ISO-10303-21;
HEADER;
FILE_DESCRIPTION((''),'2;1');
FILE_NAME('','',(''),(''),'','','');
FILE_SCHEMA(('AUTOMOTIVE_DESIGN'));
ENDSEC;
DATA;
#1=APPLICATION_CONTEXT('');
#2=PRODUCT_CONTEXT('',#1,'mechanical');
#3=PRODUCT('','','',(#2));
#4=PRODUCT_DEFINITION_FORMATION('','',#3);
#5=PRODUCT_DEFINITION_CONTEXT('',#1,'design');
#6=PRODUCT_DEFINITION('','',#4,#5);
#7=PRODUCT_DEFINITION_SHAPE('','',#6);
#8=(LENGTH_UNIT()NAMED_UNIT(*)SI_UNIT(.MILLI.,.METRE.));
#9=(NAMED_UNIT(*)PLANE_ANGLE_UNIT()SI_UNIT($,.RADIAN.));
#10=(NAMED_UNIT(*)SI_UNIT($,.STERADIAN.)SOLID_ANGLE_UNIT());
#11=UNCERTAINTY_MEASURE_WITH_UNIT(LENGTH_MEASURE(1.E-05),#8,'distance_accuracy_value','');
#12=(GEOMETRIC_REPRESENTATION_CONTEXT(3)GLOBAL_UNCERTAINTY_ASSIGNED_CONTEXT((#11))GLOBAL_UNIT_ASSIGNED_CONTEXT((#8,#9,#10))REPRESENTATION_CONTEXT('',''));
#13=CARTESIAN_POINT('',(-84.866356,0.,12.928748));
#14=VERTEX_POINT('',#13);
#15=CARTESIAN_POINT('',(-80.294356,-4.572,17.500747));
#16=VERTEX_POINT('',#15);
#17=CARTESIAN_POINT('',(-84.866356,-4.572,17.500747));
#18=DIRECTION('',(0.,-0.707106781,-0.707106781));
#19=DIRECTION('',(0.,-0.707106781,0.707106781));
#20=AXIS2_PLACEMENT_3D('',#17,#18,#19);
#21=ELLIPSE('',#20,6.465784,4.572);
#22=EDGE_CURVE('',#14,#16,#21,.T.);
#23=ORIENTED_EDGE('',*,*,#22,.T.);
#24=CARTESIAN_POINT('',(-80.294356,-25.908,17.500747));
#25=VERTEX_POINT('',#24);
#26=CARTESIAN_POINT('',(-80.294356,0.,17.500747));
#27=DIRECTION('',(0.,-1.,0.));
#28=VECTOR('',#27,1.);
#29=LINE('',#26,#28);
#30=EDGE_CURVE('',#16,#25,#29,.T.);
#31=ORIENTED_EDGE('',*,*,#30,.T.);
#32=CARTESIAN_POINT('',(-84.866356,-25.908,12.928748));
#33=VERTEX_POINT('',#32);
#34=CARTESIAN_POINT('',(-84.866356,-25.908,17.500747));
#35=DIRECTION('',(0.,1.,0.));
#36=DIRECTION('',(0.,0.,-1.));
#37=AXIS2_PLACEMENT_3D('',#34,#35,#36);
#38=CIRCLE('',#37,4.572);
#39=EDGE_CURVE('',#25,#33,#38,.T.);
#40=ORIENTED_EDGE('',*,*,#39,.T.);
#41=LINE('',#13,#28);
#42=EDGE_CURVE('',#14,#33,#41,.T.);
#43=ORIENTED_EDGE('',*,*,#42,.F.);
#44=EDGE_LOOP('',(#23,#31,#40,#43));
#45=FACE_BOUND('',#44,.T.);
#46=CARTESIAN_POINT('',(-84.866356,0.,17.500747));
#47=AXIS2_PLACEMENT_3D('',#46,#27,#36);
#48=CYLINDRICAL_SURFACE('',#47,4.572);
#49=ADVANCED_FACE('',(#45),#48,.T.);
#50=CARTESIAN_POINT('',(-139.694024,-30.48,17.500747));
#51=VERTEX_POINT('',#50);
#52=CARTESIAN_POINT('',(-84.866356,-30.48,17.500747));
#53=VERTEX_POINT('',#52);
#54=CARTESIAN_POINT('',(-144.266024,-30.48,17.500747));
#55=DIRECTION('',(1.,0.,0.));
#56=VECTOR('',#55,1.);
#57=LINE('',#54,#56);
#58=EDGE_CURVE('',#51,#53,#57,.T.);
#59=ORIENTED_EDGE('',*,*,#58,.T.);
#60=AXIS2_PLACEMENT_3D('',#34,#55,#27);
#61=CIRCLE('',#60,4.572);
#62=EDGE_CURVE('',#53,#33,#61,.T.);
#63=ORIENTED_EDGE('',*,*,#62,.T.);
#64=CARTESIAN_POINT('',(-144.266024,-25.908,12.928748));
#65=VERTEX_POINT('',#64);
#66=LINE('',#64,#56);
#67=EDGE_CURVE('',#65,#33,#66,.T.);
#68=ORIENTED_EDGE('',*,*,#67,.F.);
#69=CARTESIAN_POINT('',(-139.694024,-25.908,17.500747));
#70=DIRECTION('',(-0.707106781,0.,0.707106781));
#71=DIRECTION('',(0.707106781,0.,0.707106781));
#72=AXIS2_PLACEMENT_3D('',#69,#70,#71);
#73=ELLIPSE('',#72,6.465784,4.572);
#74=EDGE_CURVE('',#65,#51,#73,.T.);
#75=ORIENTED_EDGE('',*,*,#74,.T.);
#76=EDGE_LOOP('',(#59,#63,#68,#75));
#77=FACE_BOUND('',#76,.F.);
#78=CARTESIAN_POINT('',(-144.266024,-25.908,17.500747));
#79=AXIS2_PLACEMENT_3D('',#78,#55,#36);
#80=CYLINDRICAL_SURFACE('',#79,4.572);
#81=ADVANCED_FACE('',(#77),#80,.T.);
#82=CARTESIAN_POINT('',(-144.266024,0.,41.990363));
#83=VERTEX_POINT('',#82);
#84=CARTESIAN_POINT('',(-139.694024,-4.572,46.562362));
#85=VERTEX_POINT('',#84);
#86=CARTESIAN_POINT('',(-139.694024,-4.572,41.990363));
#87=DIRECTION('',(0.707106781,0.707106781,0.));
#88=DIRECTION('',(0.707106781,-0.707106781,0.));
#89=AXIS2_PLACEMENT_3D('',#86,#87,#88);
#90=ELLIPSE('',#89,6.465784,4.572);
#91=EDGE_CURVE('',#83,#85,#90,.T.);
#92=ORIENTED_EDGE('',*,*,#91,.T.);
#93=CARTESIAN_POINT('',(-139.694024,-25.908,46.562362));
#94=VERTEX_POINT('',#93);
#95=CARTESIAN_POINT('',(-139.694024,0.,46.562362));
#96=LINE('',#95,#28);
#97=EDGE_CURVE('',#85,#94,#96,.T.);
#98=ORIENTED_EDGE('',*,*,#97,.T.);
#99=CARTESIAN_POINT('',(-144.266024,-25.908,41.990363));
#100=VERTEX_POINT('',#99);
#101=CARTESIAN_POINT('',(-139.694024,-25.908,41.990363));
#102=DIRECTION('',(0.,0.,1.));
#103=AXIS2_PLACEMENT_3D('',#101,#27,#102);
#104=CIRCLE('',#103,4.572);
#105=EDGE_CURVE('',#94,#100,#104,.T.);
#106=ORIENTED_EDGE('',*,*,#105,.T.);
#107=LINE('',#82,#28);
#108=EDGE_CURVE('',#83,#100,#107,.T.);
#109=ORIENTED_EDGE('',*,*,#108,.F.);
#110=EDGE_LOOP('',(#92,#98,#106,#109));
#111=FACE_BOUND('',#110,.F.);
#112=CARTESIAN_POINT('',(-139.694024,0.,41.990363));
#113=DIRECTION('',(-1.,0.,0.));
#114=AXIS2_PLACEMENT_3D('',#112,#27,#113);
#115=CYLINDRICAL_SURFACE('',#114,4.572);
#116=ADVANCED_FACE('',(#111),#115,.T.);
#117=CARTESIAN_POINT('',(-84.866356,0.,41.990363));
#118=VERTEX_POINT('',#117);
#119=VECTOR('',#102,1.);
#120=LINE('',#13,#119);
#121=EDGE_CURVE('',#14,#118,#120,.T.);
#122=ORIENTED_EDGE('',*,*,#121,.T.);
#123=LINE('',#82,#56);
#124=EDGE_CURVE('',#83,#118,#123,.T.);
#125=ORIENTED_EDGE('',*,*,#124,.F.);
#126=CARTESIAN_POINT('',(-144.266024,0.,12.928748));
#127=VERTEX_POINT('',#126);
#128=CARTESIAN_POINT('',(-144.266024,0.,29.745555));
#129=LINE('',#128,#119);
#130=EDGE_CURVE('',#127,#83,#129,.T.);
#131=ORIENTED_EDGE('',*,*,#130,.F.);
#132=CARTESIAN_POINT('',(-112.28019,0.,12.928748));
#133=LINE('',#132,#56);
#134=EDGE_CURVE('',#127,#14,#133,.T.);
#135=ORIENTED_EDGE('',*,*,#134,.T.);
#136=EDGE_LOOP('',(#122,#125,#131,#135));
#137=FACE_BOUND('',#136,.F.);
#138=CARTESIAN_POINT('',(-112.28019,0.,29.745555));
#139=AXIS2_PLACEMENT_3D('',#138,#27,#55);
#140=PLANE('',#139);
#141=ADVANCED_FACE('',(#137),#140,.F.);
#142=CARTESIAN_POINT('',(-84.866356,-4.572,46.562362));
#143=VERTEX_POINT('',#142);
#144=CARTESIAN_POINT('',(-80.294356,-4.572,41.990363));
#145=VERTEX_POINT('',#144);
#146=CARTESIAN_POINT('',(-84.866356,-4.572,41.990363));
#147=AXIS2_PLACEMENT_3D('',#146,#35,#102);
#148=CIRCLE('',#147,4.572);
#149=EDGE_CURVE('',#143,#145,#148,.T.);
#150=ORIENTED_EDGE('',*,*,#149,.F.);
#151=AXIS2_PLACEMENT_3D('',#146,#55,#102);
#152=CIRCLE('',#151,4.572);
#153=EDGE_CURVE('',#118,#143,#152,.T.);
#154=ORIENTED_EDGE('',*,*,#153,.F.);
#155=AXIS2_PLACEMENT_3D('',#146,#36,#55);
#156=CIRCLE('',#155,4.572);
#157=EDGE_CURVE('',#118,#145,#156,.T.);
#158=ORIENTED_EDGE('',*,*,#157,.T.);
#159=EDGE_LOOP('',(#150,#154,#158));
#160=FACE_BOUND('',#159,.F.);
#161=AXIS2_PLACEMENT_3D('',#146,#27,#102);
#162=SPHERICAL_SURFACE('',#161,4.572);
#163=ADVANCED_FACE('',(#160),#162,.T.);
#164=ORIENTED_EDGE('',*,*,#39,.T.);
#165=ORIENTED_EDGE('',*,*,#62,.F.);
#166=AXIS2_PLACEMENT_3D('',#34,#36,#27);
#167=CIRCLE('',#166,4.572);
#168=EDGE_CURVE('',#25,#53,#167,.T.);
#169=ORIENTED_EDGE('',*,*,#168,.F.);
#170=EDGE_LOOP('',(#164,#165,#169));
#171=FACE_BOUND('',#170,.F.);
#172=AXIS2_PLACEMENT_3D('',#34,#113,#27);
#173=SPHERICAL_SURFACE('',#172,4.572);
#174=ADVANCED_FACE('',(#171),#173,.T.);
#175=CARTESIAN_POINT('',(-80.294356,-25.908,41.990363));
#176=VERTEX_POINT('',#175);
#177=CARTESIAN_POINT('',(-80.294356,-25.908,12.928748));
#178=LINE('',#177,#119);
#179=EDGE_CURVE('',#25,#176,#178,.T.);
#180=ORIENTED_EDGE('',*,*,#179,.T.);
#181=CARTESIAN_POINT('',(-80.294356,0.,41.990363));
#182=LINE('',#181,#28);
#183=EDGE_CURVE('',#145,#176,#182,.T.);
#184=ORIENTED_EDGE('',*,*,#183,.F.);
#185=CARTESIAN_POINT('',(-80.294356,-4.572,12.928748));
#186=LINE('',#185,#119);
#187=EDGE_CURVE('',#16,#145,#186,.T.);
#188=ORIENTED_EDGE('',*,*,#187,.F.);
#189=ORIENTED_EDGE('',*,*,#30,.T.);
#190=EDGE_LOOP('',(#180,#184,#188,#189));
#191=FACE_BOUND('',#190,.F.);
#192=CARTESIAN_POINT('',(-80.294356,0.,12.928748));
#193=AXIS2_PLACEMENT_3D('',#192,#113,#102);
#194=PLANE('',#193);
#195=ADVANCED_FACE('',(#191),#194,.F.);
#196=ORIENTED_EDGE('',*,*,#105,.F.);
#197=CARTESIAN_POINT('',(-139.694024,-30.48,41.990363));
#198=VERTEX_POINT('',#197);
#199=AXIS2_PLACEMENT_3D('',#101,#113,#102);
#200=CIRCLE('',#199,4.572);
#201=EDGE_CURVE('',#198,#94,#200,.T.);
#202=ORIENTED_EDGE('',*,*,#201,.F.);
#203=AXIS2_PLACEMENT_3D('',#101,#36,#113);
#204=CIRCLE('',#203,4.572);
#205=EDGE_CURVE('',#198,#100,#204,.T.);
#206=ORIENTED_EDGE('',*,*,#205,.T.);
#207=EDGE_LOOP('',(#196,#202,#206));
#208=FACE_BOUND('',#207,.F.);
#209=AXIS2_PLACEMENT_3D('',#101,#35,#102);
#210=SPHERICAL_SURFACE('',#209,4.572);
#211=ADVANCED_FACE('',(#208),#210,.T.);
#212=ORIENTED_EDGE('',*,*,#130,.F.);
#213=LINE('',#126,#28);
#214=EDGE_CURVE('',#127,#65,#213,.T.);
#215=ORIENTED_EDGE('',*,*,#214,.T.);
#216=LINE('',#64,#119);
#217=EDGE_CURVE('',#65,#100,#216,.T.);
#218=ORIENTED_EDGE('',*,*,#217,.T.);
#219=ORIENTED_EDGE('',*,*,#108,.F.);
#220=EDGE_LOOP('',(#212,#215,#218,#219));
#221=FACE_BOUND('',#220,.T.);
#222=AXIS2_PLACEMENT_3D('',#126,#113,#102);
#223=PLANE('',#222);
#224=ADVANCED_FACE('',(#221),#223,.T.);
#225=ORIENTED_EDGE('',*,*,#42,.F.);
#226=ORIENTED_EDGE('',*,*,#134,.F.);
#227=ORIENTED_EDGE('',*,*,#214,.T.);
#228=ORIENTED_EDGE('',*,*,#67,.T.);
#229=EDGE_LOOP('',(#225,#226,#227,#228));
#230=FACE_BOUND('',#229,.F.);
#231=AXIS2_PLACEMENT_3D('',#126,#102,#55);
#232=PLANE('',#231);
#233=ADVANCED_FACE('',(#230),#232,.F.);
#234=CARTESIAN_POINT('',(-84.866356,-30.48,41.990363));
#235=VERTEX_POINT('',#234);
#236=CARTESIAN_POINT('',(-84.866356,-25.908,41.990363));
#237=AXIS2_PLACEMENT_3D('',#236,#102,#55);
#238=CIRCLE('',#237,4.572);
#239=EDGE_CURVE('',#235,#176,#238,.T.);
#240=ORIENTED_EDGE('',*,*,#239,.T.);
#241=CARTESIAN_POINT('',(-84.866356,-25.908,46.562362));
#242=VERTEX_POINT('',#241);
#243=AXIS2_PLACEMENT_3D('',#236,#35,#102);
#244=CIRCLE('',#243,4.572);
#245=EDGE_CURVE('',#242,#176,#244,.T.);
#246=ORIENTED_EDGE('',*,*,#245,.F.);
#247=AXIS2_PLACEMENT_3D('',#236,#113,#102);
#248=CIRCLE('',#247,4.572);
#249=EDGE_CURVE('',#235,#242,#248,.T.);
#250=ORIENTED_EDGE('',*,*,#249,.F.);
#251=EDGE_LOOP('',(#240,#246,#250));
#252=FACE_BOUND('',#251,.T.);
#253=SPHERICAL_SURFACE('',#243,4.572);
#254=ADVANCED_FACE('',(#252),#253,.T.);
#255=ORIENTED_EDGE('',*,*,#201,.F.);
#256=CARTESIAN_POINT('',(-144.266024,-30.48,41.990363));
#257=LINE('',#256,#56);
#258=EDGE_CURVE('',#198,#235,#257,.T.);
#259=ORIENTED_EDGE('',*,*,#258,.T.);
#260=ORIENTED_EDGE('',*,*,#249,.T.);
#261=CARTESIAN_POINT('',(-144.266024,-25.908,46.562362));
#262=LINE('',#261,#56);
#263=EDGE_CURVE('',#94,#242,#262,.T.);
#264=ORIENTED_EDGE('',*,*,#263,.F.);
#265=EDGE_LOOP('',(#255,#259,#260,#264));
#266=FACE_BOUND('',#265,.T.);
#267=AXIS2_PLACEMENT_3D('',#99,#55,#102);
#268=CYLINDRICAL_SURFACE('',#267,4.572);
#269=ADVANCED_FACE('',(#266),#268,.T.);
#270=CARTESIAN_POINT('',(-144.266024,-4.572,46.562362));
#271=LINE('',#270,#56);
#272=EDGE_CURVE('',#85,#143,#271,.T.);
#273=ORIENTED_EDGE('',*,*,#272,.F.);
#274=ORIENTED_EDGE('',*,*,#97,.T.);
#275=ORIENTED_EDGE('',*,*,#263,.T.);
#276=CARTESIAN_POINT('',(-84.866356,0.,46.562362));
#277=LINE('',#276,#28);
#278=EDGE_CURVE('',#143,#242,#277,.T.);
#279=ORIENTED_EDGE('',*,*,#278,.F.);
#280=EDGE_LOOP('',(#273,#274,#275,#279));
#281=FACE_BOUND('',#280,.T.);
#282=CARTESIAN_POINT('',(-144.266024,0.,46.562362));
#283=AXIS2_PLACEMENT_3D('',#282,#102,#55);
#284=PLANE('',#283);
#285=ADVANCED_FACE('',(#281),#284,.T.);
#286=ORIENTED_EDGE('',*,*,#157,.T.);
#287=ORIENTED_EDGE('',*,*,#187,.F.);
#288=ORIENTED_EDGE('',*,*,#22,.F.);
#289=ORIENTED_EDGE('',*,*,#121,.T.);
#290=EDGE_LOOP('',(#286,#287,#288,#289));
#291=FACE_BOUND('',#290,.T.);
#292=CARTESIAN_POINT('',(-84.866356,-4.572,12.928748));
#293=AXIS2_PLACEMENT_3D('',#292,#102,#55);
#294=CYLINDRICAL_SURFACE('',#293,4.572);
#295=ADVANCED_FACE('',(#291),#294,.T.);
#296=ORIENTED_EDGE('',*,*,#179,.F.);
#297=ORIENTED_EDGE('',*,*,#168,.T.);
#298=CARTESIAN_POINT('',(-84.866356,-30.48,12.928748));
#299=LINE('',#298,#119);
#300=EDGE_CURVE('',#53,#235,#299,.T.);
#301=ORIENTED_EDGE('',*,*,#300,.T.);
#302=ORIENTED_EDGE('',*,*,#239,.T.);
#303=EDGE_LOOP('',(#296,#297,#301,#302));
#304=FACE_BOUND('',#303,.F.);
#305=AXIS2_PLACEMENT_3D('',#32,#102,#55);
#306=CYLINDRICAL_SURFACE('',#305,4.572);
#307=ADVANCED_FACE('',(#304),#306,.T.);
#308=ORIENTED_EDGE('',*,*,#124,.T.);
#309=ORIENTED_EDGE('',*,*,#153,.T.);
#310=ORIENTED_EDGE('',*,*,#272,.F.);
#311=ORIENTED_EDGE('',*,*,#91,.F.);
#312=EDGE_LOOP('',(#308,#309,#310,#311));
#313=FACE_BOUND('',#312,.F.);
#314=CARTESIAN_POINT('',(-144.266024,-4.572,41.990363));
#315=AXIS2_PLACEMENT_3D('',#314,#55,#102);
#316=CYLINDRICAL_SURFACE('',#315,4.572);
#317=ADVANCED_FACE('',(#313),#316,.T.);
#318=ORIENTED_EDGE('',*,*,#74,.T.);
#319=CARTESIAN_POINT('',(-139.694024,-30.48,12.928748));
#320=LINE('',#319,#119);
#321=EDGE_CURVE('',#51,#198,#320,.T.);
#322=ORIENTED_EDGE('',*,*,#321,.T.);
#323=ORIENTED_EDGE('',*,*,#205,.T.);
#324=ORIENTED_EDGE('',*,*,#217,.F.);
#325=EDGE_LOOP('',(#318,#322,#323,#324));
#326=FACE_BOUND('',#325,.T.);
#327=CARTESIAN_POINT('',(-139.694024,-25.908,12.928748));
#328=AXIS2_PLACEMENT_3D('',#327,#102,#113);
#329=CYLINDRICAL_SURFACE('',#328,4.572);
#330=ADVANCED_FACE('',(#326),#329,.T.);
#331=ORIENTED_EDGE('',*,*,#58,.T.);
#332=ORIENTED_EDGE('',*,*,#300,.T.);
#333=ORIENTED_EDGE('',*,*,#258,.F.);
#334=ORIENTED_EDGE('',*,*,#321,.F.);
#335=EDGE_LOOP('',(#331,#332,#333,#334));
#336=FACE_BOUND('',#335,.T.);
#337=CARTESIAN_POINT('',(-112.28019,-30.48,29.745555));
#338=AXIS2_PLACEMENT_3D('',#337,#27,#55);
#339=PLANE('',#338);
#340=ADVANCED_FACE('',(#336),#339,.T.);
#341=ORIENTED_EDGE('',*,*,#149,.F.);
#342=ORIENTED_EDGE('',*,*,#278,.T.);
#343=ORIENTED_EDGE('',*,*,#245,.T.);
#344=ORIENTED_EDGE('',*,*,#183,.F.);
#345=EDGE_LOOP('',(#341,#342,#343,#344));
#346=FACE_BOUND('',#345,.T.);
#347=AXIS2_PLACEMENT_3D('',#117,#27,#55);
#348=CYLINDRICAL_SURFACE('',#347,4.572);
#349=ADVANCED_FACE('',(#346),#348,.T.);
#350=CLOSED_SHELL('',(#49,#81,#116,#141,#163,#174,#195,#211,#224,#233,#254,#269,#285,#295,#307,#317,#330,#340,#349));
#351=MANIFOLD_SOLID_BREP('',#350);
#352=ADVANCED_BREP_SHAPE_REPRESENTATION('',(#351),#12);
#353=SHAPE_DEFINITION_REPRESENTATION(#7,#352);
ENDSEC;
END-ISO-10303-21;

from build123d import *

# Parameters (mm, degrees)
F0_W     = 63.971668
F0_H     = 33.633615
F1_DEPTH = 30.48
F2_R     = 4.572


with BuildPart() as f1:
    # F0 (on Front) → F1 (new body)
    with BuildSketch(Plane.XZ):
        with Locations((-112.28019, 29.745555)):
            Rectangle(F0_W, F0_H)
    extrude(amount=F1_DEPTH)

    # F2
    f2_edges = [f1.edges().sort_by_distance(p)[0] for p in [
        (-80.294356, -15.24, 46.562362),
        (-144.266024, -15.24, 46.562362),
        (-112.28019, 0, 46.562362),
        (-112.28019, -30.48, 46.562362),
        (-144.266024, -30.48, 29.745555),
        (-112.28019, -30.48, 12.928747),
        (-80.294356, -30.48, 29.745555),
        (-80.294356, -15.24, 12.928747),
        (-80.294356, 0, 29.745555),
    ]]
    fillet(f2_edges, radius=F2_R)


solid = f1.part
